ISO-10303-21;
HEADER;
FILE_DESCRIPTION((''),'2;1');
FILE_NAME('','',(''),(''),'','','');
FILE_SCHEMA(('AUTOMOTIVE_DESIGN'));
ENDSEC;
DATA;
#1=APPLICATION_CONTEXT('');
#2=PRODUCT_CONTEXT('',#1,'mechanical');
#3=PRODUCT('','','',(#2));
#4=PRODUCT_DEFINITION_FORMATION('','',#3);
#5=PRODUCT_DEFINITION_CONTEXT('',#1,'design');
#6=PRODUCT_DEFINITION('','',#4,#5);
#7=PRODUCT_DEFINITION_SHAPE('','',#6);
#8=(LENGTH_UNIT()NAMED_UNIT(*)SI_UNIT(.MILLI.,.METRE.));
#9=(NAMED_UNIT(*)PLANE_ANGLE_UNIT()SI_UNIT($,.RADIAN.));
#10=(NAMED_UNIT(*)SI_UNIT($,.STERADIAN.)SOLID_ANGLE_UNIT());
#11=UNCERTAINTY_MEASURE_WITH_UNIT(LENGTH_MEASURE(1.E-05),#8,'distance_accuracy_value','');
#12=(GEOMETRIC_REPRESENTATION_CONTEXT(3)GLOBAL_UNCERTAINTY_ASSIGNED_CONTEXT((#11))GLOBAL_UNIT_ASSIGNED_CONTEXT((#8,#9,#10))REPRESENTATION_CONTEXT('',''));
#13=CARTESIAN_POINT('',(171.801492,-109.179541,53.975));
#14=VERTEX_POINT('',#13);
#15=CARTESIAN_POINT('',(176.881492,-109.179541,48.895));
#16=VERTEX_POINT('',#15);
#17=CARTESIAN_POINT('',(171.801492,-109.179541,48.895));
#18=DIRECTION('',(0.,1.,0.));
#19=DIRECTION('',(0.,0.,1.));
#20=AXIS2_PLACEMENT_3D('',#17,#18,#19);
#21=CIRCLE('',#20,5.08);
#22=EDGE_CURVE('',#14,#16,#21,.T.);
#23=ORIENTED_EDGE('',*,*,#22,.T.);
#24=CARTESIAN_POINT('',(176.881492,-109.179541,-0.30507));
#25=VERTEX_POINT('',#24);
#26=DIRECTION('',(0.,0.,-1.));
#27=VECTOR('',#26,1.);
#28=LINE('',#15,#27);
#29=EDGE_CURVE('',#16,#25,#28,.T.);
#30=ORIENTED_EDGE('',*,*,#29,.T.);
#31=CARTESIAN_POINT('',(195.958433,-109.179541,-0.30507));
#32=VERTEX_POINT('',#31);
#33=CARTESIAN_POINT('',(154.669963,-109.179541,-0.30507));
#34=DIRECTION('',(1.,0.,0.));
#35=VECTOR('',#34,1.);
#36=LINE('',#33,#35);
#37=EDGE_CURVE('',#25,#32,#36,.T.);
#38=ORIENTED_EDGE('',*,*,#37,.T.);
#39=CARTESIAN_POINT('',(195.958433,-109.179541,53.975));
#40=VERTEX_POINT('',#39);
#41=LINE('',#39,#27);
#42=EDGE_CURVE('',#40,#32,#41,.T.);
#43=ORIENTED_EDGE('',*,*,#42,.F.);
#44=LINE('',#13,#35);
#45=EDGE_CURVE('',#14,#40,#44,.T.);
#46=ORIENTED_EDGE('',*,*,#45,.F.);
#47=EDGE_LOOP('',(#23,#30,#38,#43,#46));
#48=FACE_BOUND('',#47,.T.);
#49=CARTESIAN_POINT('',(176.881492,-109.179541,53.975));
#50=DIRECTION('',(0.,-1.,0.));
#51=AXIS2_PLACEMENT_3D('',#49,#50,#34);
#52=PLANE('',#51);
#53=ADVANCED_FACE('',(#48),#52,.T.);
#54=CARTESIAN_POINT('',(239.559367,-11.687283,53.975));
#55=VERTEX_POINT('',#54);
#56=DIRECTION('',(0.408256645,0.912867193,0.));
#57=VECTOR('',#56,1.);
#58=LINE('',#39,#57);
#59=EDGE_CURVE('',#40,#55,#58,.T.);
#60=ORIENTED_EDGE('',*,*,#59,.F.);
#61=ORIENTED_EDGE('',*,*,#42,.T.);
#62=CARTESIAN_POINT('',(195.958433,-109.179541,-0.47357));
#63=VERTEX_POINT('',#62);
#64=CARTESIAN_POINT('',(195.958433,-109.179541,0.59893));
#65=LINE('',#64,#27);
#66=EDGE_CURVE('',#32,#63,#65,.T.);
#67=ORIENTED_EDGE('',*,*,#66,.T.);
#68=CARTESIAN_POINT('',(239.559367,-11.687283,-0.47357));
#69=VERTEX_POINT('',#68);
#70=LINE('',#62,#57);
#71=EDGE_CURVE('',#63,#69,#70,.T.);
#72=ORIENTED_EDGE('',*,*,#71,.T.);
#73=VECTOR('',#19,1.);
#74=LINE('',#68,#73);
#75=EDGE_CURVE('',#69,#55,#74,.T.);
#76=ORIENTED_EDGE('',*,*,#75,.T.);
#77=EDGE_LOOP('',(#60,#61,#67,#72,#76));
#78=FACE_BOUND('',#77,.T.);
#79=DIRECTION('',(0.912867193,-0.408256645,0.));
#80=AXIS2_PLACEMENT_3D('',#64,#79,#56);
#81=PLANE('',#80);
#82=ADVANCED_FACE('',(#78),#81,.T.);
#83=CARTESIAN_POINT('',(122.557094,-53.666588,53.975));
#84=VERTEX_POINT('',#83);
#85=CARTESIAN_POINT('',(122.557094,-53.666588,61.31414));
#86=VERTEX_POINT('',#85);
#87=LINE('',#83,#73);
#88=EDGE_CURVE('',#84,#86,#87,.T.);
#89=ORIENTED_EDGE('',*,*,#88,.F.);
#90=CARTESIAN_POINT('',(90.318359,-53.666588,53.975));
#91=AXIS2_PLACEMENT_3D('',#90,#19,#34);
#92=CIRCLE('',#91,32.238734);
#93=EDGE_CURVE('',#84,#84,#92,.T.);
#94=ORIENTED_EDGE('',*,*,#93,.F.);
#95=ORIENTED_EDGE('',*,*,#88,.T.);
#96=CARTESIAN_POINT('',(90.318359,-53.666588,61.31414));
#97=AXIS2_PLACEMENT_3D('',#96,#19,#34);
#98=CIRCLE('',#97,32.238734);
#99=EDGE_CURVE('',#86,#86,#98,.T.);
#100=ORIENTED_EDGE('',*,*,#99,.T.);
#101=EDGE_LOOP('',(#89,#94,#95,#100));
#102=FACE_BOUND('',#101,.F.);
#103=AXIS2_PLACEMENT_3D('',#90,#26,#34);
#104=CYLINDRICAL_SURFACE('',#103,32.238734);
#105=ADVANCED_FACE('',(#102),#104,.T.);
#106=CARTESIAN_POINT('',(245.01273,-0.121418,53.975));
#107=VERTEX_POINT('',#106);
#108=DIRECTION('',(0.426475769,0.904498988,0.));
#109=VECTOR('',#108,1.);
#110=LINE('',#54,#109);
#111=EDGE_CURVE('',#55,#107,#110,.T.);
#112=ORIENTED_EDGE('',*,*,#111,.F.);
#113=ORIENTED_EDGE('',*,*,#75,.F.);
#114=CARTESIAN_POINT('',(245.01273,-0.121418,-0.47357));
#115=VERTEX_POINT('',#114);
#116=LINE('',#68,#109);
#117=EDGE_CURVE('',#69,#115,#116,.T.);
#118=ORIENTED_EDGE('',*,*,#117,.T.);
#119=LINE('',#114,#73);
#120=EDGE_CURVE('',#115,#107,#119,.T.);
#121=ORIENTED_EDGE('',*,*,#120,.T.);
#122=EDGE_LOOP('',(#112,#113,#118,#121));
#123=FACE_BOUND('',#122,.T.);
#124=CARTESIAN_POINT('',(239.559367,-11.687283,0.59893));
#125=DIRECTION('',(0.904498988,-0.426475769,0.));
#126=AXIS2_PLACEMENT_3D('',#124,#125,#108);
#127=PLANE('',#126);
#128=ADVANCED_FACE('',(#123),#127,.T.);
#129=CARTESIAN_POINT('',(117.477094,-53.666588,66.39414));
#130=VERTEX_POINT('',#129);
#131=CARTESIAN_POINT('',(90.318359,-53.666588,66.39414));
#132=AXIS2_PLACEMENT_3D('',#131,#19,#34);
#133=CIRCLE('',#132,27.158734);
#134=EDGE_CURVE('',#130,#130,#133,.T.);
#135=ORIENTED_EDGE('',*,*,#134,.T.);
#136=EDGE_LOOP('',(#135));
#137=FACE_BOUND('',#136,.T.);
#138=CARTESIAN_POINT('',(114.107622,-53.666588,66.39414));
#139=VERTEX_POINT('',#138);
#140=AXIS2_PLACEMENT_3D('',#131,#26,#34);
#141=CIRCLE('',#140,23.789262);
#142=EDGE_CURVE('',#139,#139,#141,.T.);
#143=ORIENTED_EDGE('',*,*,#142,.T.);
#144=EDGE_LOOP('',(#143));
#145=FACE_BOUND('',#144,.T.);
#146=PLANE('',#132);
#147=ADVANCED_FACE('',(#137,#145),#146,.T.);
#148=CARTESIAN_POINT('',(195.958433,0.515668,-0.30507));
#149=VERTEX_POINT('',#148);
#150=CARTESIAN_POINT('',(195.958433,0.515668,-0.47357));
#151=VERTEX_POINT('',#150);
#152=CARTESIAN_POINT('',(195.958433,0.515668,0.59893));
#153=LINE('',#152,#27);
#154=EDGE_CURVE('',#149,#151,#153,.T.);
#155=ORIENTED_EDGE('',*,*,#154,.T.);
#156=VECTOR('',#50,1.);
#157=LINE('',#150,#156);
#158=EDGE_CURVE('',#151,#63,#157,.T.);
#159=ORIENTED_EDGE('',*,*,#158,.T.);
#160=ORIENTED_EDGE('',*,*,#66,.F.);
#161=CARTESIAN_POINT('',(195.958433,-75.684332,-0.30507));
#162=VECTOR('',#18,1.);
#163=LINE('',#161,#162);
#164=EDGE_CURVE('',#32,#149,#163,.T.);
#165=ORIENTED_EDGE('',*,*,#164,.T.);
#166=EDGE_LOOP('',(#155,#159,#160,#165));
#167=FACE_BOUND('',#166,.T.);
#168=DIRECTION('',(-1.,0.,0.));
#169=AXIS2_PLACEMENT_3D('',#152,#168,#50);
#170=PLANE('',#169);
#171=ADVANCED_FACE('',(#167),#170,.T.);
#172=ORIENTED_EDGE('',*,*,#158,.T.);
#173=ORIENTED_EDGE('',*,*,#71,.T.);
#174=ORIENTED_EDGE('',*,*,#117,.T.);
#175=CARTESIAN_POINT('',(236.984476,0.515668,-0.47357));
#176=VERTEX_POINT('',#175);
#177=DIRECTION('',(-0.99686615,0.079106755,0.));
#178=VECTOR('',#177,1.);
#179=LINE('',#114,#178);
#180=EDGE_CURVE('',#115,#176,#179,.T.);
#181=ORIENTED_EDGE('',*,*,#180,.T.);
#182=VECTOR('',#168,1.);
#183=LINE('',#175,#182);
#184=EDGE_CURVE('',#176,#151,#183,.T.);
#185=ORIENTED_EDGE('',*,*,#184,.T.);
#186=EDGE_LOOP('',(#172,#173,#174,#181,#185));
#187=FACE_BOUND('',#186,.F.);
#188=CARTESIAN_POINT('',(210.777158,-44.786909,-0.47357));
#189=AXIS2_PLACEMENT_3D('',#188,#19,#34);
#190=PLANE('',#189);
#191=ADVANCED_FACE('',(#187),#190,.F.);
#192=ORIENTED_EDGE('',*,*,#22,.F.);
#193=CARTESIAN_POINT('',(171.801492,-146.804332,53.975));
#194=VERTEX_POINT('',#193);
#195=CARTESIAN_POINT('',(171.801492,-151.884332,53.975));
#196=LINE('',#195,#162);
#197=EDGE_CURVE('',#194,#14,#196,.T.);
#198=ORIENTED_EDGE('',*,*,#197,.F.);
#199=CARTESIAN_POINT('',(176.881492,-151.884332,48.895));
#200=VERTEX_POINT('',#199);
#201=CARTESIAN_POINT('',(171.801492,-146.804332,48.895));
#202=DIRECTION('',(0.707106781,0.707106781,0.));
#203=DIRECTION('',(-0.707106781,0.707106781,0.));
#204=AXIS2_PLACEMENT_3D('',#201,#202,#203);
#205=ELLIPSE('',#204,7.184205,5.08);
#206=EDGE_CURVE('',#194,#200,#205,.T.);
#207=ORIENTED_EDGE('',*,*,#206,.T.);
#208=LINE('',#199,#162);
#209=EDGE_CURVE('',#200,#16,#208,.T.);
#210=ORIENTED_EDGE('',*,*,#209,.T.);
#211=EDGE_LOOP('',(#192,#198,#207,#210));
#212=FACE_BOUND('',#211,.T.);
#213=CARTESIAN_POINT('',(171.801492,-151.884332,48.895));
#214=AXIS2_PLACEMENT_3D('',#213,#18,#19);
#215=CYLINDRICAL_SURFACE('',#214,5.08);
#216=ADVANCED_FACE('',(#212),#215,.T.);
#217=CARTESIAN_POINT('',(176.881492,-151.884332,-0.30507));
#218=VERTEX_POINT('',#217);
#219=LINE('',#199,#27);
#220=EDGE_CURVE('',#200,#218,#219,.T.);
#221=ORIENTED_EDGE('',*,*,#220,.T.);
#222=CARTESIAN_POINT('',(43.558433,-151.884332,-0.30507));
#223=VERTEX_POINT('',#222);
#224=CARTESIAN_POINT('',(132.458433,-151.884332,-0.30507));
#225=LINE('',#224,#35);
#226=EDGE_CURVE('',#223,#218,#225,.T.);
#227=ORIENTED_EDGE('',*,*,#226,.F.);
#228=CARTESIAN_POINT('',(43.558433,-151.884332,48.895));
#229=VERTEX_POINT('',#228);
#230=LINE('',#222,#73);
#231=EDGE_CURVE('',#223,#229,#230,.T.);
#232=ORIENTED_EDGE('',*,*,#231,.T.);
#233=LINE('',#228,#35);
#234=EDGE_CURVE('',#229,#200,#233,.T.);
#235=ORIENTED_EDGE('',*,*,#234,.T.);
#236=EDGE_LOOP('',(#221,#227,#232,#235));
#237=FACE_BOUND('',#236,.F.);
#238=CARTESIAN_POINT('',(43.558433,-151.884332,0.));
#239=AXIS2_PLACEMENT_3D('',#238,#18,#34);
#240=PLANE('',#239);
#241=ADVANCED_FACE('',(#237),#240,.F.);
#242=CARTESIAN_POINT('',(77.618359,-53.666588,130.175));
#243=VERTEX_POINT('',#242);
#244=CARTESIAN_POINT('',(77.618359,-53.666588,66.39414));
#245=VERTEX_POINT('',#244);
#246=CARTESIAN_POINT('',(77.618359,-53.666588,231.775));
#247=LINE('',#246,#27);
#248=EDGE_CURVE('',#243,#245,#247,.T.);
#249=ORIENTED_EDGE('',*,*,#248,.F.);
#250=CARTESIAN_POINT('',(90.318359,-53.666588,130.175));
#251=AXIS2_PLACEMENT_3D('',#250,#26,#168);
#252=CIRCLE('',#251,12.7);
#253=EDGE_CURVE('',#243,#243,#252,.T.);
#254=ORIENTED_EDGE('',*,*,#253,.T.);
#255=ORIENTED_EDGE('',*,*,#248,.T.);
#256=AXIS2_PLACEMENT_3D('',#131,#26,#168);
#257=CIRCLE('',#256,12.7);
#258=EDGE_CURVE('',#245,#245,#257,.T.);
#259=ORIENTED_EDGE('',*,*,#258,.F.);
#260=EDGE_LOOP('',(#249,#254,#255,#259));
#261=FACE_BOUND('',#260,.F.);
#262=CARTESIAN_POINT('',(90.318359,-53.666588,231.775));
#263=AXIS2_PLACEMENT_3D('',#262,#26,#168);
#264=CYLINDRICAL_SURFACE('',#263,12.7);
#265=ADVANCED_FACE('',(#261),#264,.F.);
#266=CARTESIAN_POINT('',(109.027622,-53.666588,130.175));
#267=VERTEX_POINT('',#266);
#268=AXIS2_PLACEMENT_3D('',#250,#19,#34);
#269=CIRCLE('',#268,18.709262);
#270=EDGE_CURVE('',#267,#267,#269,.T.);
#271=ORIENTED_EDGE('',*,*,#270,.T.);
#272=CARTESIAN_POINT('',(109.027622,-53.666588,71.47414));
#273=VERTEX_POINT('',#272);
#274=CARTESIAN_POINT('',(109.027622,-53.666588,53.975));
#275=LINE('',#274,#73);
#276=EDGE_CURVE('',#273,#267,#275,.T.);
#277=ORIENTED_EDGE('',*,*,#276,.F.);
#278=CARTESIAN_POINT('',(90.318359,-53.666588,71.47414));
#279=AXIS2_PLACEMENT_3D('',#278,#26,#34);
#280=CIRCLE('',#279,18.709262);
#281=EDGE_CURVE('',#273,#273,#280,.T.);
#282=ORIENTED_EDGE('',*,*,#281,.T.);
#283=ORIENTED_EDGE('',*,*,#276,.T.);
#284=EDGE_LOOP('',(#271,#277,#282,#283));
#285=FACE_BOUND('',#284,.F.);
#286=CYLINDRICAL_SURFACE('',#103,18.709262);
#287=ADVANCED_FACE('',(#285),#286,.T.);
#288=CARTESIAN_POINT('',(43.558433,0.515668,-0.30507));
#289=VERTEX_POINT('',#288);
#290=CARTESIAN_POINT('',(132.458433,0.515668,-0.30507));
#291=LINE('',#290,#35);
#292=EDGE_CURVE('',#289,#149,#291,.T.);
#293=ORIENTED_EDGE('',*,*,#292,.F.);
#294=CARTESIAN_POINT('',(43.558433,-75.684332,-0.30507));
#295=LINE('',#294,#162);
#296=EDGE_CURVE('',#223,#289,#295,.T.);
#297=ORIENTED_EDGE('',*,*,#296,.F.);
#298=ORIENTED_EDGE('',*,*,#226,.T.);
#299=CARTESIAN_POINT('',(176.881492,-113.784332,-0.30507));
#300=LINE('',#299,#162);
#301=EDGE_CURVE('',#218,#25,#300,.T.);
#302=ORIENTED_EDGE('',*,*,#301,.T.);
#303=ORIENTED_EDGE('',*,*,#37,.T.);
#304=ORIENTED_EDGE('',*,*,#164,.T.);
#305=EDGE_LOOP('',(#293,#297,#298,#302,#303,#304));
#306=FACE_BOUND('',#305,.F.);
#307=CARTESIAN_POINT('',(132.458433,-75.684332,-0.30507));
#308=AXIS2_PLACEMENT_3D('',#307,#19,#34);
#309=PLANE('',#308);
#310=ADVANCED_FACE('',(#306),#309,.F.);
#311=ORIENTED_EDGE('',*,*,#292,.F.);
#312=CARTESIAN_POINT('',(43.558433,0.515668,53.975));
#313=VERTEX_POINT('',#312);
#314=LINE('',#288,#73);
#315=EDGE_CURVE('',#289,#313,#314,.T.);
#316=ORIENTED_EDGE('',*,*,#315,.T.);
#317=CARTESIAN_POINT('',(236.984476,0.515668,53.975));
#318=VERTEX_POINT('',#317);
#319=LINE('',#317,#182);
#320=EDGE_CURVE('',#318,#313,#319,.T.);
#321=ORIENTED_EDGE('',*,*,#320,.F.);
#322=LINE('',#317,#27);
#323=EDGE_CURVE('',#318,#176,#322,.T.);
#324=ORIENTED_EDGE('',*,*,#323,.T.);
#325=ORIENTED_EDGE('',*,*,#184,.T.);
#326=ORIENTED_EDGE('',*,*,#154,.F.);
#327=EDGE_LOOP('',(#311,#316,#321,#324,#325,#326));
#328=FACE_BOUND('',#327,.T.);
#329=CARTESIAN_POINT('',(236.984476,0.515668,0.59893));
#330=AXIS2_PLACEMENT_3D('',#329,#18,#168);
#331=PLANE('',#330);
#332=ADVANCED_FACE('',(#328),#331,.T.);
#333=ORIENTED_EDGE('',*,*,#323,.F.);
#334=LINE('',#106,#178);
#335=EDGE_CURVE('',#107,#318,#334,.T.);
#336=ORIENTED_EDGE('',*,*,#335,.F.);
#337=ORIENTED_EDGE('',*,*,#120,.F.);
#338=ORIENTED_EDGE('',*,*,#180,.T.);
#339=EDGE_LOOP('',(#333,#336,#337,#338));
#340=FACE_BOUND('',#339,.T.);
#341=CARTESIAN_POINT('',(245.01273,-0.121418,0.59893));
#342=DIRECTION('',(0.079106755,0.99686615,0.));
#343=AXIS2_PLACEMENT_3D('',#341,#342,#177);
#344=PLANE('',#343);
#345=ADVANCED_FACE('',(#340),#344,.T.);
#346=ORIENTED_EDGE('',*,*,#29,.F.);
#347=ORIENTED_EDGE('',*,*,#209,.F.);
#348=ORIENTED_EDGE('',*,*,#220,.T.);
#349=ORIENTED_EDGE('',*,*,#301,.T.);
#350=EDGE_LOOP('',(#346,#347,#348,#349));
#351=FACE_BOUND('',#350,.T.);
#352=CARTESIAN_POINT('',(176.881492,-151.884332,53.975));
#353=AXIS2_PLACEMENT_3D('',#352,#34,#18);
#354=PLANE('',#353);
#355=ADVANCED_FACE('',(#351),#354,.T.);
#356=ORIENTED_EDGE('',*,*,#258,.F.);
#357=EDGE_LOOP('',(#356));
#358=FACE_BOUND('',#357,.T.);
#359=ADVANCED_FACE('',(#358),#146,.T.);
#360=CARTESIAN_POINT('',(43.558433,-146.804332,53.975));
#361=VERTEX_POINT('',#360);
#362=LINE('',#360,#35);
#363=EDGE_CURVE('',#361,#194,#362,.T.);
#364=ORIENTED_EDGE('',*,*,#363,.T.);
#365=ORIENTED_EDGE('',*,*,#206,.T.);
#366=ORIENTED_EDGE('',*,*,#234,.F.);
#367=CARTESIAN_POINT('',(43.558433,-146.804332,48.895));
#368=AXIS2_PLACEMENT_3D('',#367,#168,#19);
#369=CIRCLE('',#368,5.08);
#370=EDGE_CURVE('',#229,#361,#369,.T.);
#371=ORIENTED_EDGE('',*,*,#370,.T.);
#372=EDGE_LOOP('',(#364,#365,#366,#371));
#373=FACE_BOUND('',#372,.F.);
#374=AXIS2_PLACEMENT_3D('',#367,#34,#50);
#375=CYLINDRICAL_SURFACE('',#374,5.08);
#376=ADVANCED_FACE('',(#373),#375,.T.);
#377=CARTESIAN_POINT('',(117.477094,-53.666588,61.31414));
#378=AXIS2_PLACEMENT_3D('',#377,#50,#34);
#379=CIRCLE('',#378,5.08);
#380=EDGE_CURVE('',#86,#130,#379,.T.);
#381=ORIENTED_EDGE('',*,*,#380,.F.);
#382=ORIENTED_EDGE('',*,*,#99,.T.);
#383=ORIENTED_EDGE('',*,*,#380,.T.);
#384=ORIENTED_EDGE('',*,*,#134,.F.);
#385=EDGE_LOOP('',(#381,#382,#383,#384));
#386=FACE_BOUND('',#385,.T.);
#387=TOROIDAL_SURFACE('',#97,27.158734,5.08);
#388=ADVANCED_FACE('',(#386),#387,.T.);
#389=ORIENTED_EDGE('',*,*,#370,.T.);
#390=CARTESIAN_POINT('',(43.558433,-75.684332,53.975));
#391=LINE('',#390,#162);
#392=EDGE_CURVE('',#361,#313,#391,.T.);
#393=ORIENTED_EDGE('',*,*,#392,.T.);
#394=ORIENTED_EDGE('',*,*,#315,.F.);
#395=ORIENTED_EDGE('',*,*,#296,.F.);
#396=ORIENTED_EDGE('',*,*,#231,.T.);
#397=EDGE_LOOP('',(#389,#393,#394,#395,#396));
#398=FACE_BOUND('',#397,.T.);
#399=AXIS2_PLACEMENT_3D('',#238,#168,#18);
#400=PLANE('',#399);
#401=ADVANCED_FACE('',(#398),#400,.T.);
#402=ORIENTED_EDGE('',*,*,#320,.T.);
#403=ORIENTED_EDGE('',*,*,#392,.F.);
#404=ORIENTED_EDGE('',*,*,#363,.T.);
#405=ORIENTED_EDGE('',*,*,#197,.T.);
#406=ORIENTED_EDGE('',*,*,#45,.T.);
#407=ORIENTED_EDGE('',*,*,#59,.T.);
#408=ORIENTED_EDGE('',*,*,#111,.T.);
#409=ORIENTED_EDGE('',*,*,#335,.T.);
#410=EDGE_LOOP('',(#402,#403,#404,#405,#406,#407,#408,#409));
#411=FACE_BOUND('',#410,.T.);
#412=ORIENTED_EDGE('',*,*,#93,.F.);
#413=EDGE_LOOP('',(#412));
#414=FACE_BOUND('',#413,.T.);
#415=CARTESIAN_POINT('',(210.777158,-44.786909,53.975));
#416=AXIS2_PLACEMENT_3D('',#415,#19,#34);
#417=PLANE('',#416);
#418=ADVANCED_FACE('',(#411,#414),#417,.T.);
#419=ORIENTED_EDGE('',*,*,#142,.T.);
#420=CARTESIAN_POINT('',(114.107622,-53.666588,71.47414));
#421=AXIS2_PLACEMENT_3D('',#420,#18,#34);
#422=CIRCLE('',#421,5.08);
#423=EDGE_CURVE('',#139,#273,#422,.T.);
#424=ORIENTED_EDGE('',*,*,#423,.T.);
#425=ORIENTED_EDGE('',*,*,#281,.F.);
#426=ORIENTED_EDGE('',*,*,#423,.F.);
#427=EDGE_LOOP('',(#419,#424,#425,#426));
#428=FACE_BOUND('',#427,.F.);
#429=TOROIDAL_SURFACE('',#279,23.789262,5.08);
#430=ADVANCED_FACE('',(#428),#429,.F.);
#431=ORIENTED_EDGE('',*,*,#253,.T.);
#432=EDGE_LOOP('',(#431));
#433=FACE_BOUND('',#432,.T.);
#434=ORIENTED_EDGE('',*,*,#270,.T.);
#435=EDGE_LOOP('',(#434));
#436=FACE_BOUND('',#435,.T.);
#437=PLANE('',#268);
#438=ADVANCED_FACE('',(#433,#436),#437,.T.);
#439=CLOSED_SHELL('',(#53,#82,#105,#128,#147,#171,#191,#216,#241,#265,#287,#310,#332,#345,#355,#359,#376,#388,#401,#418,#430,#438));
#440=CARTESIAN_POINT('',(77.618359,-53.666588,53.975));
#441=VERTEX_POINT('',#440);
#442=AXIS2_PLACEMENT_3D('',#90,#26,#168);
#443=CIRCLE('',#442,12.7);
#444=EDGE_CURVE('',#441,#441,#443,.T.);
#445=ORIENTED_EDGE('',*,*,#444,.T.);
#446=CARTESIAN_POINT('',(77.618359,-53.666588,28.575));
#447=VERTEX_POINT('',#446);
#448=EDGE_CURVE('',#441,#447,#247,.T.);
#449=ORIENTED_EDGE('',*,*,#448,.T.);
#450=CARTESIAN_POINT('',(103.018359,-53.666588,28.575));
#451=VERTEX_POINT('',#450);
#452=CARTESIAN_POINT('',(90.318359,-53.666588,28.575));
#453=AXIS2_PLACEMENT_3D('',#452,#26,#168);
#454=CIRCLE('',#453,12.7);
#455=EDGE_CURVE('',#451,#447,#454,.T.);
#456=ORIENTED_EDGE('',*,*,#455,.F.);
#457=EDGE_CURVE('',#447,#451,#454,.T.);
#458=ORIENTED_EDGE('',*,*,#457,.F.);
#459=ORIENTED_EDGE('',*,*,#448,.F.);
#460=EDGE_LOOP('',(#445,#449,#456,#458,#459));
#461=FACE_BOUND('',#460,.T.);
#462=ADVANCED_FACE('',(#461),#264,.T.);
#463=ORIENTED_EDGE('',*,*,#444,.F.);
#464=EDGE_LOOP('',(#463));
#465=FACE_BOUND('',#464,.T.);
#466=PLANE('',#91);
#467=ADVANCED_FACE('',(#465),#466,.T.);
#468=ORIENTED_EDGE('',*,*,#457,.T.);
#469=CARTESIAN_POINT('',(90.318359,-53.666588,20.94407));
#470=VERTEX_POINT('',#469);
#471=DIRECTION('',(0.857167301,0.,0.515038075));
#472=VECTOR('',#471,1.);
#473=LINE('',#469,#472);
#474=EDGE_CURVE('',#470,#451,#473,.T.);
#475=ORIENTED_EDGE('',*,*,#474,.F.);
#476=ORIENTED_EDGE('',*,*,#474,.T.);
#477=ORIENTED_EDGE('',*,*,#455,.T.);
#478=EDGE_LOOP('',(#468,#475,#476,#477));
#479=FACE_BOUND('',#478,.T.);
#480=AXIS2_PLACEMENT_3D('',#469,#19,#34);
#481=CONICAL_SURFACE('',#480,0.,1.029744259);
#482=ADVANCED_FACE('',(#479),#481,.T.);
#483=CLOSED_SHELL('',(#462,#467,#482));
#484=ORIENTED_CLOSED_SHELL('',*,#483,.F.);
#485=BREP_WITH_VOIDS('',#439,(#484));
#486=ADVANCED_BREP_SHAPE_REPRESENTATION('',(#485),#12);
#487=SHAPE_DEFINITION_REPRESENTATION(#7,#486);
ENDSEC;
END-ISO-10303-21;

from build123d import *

# Parameters (mm, degrees)
F0_W      = 177.8
F0_H      = 152.4
F1_DEPTH  = 53.975
F2_W      = 44.4769412279
F2_H      = 42.7047908306
F3_DEPTH  = 57.28848
F4_R      = 5.08
F5_DEPTH  = 25.4
F7_DEPTH  = 53.071
F8_R      = 18.7092621325
F9_DEPTH  = 76.2
F11_D     = 25.4
F11_DEPTH = 101.6
F11_TIP   = 7.6309298617
F12_R     = 32.2387341202
F13_DEPTH = 12.41914
F14_R     = 5.08
F15_DEPTH = 0.30507
F16_DEPTH = 1.0725


with BuildPart() as f1:
    # F0 (on Top) → F1 (new body)
    with BuildSketch(Plane.XY):
        with Locations((132.4584333658, -75.6843322992)):
            Rectangle(F0_W, F0_H)
    extrude(amount=F1_DEPTH)

    # F2 (on face) → F3 (cut)
    with BuildSketch(Plane.XY.offset(53.975)):
        with Locations((199.1199627519, -130.5319368839)):
            Rectangle(F2_W, F2_H)
    extrude(amount=-F3_DEPTH, mode=Mode.SUBTRACT)

    # F4
    f4_edges = [f1.edges().sort_by_distance(p)[0] for p in [
        (176.881492, -130.531937, 53.975),
        (110.219963, -151.884332, 53.975),
    ]]
    fillet(f4_edges, radius=F4_R)

    # F5 (cut): a face of the model
    f5_faces = [f1.faces().sort_by_distance(p)[0] for p in [
        (221.3584333658, -54.3319368839, 26.9875),
    ]]
    extrude(f5_faces, amount=-F5_DEPTH, mode=Mode.SUBTRACT)

    # F6 (on face) → F7 (join)
    with BuildSketch(Plane.XY.offset(53.975)):
        Polygon((195.9584333658, 0.5156677008), (195.9584333658, -109.1795414686), (239.5593672991, -11.6872834042), (245.01273036, -0.1214179429), (236.9844764471, 0.5156677008), align=None)
    extrude(amount=-F7_DEPTH)

    # F8 (on face) → F9 (join)
    with BuildSketch(Plane.XY.offset(53.975)):
        with Locations((90.3183594346, -53.666587919)):
            Circle(F8_R)
    extrude(amount=F9_DEPTH)

    # F11
    with Locations(Plane.XY.offset(130.175)):
        with Locations((90.3183594346, -53.666587919)):
            Hole(F11_D / 2, depth=F11_DEPTH)
            with Locations((0, 0, -(F11_DEPTH + F11_TIP / 2))):  # 118° drill point
                Cone(0, F11_D / 2, F11_TIP, mode=Mode.SUBTRACT)

    # F12 (on face) → F13 (join)
    with BuildSketch(Plane.XY.offset(53.975)):
        with Locations((90.3183594346, -53.666587919)):
            Circle(F12_R)
    extrude(amount=F13_DEPTH)

    # F14
    f14_edges = [f1.edges().sort_by_distance(p)[0] for p in [
        (58.079625, -53.666588, 66.39414),
        (71.609097, -53.666588, 66.39414),
    ]]
    fillet(f14_edges, radius=F14_R)

    # F15 (add): faces of the model
    f15_faces = [f1.faces().sort_by_distance(p)[0] for p in [
        (212.3023430426, -36.0634157102, 0.904),
        (117.3351859078, -73.6905388833, 0),
    ]]
    extrude(f15_faces, amount=F15_DEPTH)

    # F16 (add): a face of the model
    f16_faces = [f1.faces().sort_by_distance(p)[0] for p in [
        (212.3023430426, -36.0634157102, 0.59893),
    ]]
    extrude(f16_faces, amount=F16_DEPTH)


solid = f1.part
